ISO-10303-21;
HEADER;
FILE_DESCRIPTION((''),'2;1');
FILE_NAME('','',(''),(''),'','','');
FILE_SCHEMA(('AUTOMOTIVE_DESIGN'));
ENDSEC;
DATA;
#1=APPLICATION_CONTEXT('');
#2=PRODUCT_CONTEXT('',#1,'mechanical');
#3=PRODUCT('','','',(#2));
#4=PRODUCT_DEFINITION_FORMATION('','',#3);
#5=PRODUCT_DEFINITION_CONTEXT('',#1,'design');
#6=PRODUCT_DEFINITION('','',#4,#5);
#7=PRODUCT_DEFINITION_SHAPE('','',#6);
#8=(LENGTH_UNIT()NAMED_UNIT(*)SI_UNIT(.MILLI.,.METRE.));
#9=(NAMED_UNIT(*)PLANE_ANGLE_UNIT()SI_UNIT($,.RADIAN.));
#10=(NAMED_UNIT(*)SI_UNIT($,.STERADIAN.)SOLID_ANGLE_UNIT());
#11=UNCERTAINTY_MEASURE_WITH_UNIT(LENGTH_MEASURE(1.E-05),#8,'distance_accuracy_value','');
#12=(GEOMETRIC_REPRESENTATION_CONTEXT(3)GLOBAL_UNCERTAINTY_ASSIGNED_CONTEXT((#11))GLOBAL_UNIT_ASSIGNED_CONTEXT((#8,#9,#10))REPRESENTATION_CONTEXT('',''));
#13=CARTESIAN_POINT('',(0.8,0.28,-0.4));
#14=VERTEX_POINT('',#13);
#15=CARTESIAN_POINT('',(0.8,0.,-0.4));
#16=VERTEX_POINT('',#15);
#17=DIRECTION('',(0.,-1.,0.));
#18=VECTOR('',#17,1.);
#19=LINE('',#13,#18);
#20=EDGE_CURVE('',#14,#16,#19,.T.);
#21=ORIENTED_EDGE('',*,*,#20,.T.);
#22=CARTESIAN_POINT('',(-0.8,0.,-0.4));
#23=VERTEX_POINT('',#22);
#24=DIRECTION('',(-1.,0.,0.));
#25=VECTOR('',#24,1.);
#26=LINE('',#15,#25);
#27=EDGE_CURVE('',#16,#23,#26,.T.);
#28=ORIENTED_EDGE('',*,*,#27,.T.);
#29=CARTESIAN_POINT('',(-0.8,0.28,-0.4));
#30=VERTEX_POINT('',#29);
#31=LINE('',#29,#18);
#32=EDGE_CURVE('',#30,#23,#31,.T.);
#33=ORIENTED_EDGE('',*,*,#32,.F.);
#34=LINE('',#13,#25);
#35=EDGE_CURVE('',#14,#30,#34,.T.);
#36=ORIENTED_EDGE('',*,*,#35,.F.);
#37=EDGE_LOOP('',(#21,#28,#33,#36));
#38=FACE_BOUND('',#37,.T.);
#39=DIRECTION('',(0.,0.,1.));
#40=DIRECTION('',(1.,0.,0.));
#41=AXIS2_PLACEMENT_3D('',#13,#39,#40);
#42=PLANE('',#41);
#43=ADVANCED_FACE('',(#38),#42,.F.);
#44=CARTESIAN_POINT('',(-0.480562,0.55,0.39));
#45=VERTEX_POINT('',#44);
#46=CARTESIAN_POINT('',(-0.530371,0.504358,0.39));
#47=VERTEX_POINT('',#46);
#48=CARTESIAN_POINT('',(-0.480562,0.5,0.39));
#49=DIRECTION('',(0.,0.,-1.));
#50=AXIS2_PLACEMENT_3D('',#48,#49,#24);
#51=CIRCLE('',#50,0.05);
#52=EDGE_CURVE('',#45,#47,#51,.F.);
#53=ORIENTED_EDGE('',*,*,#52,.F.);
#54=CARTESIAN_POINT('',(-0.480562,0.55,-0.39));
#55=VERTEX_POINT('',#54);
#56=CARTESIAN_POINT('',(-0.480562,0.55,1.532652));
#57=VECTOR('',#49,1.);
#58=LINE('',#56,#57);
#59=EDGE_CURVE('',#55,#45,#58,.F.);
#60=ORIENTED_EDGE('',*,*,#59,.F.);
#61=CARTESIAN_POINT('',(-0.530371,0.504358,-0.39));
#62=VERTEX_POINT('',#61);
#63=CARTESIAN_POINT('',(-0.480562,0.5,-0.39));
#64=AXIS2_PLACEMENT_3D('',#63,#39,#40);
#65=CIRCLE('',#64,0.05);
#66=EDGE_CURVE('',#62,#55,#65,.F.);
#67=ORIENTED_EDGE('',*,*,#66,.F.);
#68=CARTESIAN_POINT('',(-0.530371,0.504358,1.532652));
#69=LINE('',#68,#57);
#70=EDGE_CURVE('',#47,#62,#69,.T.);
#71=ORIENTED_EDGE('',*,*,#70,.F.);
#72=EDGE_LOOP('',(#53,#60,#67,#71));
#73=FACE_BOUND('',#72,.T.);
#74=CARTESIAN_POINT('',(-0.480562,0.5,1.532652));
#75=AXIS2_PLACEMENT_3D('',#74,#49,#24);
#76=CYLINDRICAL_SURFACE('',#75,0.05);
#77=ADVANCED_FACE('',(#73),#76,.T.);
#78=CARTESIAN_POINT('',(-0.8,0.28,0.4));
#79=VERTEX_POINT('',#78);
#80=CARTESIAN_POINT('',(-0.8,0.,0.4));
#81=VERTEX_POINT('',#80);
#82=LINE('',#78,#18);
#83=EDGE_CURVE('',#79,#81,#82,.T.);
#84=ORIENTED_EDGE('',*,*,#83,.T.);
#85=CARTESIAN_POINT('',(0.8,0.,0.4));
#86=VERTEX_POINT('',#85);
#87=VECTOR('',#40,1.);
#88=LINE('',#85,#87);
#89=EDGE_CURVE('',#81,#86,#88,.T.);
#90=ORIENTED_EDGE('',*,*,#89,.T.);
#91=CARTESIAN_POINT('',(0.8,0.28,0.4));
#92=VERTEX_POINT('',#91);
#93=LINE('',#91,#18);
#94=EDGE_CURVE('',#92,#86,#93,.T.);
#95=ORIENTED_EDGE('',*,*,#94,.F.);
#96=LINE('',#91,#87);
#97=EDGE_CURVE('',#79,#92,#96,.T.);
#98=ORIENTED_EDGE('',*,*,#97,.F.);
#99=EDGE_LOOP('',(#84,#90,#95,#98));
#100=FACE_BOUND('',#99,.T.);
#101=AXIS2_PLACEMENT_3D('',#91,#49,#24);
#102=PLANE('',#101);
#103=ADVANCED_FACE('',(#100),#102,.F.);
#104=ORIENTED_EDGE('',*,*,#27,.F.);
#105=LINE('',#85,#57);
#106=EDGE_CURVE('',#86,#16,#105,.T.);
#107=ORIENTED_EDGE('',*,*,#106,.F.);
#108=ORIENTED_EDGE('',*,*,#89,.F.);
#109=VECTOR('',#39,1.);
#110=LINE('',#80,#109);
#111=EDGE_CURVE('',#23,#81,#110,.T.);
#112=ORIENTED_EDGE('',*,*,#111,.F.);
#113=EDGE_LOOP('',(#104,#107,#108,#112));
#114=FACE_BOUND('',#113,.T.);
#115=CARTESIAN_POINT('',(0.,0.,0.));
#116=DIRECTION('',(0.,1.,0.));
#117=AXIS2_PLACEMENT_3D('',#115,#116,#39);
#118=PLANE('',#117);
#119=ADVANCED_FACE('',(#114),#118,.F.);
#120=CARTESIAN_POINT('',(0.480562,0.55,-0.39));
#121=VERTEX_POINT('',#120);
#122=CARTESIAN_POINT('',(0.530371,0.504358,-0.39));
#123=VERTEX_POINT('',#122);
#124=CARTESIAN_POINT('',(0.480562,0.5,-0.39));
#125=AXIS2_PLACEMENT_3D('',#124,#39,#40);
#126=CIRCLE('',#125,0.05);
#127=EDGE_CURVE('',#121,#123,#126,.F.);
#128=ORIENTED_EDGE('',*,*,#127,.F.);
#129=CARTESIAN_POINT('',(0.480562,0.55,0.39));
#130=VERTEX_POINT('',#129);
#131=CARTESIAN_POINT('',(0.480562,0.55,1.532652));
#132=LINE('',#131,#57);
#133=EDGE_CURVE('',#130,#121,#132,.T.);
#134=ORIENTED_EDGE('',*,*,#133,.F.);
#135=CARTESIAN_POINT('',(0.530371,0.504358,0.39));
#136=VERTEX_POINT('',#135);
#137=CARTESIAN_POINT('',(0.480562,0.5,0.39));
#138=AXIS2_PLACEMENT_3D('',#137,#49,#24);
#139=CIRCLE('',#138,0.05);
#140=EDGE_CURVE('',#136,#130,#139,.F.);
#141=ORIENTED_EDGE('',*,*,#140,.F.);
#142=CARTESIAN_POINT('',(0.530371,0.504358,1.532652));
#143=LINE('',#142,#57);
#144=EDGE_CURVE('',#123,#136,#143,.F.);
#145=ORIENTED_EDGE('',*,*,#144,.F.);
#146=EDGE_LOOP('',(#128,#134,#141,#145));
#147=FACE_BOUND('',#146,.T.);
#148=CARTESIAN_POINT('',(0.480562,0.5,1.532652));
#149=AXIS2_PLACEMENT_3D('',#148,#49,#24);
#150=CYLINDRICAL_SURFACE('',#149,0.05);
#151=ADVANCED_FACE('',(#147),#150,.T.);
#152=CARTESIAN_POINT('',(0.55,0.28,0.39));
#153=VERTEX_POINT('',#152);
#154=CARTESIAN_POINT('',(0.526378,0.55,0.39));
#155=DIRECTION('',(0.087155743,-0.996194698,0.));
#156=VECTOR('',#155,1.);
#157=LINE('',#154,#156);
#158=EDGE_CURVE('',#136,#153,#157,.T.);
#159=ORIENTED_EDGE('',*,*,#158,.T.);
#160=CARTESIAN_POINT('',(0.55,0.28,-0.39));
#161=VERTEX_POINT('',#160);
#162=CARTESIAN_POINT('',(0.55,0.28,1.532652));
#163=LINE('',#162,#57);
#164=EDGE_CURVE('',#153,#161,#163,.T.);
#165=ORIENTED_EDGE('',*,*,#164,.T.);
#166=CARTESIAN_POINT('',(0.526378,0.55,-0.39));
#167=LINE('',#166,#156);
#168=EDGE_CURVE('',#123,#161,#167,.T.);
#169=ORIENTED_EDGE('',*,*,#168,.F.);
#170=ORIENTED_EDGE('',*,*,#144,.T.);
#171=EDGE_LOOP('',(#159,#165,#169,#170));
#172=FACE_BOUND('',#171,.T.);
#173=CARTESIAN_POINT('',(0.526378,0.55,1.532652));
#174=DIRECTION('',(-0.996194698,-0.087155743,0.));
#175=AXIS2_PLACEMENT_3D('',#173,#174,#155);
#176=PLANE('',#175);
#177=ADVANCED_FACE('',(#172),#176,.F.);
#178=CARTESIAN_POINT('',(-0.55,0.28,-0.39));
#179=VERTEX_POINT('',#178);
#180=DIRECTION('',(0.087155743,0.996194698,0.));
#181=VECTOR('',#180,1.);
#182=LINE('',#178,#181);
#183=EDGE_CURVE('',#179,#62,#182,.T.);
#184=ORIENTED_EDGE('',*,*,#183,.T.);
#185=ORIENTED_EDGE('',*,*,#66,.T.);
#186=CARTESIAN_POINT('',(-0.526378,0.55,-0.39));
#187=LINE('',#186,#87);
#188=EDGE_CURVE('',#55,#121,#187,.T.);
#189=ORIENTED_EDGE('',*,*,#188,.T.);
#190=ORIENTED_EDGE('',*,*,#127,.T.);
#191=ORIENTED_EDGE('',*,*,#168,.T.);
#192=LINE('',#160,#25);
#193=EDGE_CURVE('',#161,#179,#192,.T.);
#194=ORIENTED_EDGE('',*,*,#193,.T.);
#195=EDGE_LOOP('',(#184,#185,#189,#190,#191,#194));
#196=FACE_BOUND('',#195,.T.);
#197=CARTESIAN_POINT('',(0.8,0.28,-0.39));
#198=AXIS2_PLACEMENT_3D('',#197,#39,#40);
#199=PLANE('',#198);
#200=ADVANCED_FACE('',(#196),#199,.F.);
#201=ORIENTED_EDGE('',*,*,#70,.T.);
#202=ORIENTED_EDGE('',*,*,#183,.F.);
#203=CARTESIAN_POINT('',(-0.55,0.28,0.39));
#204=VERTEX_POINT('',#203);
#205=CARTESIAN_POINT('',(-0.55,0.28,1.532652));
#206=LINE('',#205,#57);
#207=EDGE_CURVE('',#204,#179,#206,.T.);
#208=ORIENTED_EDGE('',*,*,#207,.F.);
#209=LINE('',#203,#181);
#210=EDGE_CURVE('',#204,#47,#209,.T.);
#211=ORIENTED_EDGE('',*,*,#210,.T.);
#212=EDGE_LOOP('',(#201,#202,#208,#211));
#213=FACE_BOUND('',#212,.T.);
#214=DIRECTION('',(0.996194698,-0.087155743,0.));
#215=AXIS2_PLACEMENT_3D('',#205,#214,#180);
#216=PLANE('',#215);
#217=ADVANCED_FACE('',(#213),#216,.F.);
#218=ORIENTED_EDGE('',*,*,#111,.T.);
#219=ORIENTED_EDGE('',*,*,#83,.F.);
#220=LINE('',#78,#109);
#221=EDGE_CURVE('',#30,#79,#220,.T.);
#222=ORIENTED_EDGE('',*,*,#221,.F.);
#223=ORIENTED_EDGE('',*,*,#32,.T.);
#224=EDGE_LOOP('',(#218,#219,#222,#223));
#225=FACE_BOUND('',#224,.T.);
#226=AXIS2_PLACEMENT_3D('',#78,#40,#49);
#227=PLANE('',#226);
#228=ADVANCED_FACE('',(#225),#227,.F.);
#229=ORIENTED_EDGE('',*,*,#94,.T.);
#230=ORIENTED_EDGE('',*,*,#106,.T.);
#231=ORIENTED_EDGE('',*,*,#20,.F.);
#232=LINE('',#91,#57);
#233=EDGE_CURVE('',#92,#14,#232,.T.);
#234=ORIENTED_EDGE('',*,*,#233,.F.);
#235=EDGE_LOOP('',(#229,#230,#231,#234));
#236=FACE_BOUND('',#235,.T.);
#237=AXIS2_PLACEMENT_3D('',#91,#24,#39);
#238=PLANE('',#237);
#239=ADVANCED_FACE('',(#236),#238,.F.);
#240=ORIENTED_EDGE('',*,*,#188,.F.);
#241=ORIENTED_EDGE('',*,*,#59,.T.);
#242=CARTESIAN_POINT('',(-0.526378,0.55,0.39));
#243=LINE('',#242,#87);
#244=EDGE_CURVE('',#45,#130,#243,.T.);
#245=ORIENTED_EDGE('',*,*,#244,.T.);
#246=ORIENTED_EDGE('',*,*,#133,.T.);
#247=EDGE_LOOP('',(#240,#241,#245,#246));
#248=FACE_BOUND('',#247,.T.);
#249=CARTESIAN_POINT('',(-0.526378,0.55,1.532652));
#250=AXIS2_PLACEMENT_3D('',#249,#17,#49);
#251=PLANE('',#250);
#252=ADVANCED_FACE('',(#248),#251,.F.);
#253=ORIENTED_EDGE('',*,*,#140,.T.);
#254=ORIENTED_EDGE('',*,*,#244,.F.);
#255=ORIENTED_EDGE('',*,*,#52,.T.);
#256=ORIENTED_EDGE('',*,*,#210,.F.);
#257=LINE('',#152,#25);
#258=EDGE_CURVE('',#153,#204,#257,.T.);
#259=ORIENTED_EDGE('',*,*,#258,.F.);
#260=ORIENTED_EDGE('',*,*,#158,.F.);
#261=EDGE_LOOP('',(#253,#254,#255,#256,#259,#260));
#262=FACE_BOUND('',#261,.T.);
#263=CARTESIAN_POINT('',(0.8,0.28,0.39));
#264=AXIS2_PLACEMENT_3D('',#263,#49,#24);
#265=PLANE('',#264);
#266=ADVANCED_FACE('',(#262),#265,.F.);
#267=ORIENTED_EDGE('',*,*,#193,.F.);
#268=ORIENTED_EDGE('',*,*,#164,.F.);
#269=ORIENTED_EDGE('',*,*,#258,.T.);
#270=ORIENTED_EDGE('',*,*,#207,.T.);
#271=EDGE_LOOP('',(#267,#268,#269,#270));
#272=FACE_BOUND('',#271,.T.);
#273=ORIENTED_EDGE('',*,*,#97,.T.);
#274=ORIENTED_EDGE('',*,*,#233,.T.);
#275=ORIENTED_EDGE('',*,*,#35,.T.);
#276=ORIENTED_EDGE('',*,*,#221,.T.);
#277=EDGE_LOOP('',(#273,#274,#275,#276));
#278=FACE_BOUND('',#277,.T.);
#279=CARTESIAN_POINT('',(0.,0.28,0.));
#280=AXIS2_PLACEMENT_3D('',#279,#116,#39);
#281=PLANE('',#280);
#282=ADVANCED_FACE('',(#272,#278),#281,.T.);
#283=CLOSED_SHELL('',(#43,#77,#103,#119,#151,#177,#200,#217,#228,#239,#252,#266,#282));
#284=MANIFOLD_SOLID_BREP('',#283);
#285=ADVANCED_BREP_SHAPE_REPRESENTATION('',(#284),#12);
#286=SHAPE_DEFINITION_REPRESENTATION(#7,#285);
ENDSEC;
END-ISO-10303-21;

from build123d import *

# Parameters (mm, degrees)
SKETCH1_W       = 1.6
SKETCH1_H       = 0.8
BASE_DEPTH      = 0.28
LENS_DEPTH      = 0.39
LENS_DEPTH_BACK = 0.39
LENS_ROUNDS_R   = 0.05


with BuildPart() as part:
    # Sketch1 → Base (new body)
    with BuildSketch(Plane(origin=(0, 0, 0), x_dir=(1, 0, 0), z_dir=(0, 1, 0))):
        Rectangle(SKETCH1_W, SKETCH1_H)
    extrude(amount=BASE_DEPTH)

    # Sketch2 → Lens (add, two sides: drawn at the far end of the back side and taken through both)
    with BuildSketch(Plane.XY.offset(-LENS_DEPTH_BACK)):
        Polygon((-0.55, 0.28), (-0.526378061, 0.55), (0.526378061, 0.55), (0.55, 0.28), align=None)
    extrude(amount=LENS_DEPTH + LENS_DEPTH_BACK)

    # Lens Rounds
    lens_rounds_edges = [part.edges().sort_by_distance(p)[0] for p in [
        (-0.526378061, 0.55, 0),
        (0.526378061, 0.55, 0),
    ]]
    fillet(lens_rounds_edges, radius=LENS_ROUNDS_R)


solid = part.part
